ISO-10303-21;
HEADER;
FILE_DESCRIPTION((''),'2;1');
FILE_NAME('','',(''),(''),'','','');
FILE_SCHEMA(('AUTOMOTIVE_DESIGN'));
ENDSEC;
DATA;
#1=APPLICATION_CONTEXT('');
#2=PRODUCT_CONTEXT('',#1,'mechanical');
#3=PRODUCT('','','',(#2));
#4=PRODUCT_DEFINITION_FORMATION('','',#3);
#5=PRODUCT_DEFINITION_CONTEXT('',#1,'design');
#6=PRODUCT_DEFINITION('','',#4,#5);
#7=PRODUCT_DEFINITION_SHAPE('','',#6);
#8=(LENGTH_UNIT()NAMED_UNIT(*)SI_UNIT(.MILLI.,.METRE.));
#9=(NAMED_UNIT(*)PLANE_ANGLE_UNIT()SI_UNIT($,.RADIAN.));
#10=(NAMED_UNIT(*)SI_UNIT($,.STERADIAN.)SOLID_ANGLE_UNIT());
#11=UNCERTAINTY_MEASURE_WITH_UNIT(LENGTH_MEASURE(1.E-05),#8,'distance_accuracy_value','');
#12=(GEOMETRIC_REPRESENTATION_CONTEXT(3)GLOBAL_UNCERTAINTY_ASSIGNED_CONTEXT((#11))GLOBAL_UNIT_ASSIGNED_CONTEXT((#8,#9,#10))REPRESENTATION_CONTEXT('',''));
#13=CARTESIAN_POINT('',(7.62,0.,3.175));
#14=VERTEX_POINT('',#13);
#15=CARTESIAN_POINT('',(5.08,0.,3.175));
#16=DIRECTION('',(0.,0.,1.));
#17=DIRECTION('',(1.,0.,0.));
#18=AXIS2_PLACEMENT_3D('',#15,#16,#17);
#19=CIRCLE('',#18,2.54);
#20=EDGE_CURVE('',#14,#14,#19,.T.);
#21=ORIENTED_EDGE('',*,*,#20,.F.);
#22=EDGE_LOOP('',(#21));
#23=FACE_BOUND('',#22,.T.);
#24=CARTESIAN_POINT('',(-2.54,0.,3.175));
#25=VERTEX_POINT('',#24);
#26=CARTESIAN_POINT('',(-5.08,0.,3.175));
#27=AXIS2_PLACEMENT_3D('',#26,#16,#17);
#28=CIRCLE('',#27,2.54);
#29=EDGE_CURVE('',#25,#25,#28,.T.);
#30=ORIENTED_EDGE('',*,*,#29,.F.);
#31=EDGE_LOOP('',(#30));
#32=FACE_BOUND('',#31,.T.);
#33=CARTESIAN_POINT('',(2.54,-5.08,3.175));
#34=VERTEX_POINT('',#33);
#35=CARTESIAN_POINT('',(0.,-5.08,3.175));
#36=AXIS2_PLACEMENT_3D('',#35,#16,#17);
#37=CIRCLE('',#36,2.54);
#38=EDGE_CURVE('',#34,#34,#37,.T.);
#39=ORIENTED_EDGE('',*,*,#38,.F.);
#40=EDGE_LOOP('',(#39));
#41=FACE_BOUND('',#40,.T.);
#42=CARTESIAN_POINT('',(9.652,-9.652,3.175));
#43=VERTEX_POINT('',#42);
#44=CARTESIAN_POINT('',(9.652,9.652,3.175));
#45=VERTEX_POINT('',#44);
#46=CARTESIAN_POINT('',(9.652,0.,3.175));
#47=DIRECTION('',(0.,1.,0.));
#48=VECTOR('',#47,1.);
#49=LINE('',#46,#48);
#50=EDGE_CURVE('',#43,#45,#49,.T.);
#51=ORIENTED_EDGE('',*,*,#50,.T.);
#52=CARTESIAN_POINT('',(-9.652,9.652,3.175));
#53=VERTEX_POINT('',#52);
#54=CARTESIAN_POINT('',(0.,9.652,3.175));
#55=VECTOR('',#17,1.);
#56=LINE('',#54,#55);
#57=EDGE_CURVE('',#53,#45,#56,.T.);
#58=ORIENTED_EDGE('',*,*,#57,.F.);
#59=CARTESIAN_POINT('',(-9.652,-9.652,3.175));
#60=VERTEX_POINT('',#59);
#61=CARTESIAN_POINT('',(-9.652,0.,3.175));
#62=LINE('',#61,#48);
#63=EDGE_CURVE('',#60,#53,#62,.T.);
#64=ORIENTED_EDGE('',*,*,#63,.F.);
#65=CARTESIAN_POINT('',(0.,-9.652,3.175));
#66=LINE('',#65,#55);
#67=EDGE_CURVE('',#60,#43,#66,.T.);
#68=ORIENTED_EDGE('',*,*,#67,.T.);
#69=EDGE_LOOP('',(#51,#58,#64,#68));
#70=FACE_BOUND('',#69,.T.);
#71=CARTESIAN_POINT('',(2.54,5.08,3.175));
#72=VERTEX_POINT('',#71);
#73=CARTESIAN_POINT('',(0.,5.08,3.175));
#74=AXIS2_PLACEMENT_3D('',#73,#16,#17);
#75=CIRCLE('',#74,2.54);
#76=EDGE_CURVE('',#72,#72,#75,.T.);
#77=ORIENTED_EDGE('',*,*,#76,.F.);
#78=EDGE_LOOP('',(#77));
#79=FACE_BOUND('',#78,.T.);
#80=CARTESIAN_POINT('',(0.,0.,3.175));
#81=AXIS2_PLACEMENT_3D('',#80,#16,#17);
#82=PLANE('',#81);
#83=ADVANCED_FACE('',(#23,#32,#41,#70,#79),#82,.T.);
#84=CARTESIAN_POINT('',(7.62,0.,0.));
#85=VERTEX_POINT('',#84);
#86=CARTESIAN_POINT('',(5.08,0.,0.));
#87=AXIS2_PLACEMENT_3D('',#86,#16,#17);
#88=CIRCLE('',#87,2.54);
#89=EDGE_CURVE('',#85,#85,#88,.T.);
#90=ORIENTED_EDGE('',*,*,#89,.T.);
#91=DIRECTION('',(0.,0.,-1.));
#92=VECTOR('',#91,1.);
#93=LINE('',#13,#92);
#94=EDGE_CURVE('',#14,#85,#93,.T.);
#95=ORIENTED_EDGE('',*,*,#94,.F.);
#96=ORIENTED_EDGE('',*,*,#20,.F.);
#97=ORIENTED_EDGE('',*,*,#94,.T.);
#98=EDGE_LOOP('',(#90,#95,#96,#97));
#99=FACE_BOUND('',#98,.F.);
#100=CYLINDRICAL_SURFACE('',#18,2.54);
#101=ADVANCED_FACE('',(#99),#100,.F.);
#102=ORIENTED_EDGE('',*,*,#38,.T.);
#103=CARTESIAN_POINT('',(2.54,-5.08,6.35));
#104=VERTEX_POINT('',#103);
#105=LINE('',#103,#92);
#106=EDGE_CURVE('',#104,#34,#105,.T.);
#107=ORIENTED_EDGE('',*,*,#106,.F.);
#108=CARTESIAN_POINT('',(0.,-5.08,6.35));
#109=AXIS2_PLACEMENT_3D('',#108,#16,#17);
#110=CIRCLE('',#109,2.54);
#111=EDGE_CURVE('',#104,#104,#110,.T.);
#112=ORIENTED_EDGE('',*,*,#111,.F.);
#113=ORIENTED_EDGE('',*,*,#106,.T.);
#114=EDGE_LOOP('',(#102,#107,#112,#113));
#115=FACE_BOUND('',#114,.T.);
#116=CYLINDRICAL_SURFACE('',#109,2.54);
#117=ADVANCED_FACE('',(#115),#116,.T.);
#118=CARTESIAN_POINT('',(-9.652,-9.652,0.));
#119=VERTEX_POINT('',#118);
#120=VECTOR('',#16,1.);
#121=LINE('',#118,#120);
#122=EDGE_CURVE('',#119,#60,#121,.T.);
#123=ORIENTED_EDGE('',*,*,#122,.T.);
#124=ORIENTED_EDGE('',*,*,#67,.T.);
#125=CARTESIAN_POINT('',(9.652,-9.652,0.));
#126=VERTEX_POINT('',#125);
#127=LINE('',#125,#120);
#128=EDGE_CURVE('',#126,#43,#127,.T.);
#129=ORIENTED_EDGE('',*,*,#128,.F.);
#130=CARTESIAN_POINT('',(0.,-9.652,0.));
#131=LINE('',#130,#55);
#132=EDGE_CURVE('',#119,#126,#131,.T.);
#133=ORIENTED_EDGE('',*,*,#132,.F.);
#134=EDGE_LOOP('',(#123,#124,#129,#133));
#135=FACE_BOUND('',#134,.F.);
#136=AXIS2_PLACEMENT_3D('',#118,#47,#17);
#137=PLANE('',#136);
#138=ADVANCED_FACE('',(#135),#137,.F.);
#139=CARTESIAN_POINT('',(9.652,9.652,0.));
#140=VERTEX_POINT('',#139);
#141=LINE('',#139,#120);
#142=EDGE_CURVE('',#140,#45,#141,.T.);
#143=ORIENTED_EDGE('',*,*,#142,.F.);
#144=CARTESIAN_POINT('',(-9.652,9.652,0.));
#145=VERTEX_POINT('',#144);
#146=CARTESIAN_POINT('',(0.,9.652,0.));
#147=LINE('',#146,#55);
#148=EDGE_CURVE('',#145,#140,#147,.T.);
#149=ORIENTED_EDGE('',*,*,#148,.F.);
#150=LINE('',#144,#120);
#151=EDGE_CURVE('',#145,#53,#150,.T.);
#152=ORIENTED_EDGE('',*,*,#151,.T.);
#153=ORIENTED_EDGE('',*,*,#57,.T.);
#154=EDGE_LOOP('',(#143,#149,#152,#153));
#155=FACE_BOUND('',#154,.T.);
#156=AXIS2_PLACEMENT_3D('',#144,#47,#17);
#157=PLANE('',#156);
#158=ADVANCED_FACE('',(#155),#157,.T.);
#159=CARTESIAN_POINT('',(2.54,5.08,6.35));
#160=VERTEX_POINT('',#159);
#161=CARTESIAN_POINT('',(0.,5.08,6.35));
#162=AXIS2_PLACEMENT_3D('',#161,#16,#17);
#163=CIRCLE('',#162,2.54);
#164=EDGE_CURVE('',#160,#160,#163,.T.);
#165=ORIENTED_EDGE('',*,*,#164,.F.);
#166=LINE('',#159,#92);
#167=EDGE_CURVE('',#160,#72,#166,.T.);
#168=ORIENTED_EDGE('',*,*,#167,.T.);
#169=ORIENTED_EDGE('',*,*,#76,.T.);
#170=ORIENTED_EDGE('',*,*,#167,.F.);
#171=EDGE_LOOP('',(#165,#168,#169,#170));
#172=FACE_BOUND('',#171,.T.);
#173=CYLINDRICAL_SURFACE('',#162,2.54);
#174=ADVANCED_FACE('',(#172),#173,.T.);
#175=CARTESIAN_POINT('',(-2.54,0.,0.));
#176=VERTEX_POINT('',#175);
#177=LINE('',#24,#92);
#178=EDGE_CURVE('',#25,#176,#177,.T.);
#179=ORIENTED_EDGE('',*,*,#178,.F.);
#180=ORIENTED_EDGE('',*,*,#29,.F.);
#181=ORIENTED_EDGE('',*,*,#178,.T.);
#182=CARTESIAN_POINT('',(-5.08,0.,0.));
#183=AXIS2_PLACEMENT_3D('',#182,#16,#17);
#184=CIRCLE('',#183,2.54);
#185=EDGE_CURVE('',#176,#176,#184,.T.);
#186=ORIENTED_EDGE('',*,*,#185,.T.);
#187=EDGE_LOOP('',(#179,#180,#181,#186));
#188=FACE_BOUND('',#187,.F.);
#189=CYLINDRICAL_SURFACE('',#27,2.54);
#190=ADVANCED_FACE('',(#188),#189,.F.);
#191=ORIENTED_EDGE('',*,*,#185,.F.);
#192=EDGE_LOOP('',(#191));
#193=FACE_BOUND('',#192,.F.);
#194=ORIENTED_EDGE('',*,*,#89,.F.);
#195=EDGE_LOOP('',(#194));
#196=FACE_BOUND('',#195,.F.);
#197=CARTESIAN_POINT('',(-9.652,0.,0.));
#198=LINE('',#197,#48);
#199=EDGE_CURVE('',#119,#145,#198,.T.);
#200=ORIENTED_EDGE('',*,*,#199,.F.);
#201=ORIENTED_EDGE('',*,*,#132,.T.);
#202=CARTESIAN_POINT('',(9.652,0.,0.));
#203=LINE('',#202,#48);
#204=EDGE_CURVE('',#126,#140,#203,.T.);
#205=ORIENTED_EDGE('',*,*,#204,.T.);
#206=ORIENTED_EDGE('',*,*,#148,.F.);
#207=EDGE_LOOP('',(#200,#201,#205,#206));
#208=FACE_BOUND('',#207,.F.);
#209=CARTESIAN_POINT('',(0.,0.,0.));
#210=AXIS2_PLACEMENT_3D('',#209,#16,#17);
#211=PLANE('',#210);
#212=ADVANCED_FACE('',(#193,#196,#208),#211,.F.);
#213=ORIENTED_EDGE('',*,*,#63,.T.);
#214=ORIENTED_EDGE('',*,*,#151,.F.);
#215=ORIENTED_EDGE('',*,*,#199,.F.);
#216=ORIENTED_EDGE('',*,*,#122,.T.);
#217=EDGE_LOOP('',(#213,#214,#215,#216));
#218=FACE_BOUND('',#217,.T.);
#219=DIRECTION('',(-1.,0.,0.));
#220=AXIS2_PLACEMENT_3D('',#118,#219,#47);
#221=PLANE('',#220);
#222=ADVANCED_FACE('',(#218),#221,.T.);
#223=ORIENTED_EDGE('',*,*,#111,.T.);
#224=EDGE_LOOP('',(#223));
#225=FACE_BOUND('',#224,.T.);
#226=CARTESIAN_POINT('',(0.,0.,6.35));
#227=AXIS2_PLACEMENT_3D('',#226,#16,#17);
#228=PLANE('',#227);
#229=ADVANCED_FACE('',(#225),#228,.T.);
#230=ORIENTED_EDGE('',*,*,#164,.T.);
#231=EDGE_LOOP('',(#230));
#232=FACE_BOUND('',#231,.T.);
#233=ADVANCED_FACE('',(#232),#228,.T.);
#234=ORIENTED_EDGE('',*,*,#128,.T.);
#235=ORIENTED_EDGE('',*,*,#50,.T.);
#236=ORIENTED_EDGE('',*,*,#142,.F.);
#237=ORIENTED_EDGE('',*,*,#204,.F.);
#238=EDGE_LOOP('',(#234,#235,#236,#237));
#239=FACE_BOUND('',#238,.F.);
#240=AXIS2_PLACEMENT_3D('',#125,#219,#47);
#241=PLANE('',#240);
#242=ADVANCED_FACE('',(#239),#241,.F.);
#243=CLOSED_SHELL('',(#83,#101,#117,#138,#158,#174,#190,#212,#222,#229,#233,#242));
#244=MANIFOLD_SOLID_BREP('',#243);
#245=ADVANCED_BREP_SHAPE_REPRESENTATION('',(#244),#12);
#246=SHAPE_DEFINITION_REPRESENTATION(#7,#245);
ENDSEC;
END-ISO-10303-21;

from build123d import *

# Parameters (mm, degrees)
F0_W     = 19.304
F0_H     = 19.304
F1_DEPTH = 6.35
F2_W     = 19.304
F2_H     = 19.304
F2_R     = 2.54
F3_DEPTH = 3.175
F4_R     = 2.54
F5_DEPTH = 3.175


with BuildPart() as f1:
    # F0 (on Top) → F1 (new body)
    with BuildSketch(Plane.XY):
        Rectangle(F0_W, F0_H)
    extrude(amount=F1_DEPTH)

    # F2 (on face) → F3 (cut)
    with BuildSketch(Plane.XY.offset(6.35)):
        Rectangle(F2_W, F2_H)
        with Locations((0, -5.08)):
            Circle(F2_R, mode=Mode.SUBTRACT)
        with Locations((0, 5.08)):
            Circle(F2_R, mode=Mode.SUBTRACT)
    extrude(amount=-F3_DEPTH, mode=Mode.SUBTRACT)

    # F4 (on face) → F5 (cut)
    with BuildSketch(Plane.XY.offset(3.175)):
        with Locations((5.08, 0)):
            Circle(F4_R)
        with Locations((-5.08, 0)):
            Circle(F4_R)
    extrude(amount=-F5_DEPTH, mode=Mode.SUBTRACT)


solid = f1.part
